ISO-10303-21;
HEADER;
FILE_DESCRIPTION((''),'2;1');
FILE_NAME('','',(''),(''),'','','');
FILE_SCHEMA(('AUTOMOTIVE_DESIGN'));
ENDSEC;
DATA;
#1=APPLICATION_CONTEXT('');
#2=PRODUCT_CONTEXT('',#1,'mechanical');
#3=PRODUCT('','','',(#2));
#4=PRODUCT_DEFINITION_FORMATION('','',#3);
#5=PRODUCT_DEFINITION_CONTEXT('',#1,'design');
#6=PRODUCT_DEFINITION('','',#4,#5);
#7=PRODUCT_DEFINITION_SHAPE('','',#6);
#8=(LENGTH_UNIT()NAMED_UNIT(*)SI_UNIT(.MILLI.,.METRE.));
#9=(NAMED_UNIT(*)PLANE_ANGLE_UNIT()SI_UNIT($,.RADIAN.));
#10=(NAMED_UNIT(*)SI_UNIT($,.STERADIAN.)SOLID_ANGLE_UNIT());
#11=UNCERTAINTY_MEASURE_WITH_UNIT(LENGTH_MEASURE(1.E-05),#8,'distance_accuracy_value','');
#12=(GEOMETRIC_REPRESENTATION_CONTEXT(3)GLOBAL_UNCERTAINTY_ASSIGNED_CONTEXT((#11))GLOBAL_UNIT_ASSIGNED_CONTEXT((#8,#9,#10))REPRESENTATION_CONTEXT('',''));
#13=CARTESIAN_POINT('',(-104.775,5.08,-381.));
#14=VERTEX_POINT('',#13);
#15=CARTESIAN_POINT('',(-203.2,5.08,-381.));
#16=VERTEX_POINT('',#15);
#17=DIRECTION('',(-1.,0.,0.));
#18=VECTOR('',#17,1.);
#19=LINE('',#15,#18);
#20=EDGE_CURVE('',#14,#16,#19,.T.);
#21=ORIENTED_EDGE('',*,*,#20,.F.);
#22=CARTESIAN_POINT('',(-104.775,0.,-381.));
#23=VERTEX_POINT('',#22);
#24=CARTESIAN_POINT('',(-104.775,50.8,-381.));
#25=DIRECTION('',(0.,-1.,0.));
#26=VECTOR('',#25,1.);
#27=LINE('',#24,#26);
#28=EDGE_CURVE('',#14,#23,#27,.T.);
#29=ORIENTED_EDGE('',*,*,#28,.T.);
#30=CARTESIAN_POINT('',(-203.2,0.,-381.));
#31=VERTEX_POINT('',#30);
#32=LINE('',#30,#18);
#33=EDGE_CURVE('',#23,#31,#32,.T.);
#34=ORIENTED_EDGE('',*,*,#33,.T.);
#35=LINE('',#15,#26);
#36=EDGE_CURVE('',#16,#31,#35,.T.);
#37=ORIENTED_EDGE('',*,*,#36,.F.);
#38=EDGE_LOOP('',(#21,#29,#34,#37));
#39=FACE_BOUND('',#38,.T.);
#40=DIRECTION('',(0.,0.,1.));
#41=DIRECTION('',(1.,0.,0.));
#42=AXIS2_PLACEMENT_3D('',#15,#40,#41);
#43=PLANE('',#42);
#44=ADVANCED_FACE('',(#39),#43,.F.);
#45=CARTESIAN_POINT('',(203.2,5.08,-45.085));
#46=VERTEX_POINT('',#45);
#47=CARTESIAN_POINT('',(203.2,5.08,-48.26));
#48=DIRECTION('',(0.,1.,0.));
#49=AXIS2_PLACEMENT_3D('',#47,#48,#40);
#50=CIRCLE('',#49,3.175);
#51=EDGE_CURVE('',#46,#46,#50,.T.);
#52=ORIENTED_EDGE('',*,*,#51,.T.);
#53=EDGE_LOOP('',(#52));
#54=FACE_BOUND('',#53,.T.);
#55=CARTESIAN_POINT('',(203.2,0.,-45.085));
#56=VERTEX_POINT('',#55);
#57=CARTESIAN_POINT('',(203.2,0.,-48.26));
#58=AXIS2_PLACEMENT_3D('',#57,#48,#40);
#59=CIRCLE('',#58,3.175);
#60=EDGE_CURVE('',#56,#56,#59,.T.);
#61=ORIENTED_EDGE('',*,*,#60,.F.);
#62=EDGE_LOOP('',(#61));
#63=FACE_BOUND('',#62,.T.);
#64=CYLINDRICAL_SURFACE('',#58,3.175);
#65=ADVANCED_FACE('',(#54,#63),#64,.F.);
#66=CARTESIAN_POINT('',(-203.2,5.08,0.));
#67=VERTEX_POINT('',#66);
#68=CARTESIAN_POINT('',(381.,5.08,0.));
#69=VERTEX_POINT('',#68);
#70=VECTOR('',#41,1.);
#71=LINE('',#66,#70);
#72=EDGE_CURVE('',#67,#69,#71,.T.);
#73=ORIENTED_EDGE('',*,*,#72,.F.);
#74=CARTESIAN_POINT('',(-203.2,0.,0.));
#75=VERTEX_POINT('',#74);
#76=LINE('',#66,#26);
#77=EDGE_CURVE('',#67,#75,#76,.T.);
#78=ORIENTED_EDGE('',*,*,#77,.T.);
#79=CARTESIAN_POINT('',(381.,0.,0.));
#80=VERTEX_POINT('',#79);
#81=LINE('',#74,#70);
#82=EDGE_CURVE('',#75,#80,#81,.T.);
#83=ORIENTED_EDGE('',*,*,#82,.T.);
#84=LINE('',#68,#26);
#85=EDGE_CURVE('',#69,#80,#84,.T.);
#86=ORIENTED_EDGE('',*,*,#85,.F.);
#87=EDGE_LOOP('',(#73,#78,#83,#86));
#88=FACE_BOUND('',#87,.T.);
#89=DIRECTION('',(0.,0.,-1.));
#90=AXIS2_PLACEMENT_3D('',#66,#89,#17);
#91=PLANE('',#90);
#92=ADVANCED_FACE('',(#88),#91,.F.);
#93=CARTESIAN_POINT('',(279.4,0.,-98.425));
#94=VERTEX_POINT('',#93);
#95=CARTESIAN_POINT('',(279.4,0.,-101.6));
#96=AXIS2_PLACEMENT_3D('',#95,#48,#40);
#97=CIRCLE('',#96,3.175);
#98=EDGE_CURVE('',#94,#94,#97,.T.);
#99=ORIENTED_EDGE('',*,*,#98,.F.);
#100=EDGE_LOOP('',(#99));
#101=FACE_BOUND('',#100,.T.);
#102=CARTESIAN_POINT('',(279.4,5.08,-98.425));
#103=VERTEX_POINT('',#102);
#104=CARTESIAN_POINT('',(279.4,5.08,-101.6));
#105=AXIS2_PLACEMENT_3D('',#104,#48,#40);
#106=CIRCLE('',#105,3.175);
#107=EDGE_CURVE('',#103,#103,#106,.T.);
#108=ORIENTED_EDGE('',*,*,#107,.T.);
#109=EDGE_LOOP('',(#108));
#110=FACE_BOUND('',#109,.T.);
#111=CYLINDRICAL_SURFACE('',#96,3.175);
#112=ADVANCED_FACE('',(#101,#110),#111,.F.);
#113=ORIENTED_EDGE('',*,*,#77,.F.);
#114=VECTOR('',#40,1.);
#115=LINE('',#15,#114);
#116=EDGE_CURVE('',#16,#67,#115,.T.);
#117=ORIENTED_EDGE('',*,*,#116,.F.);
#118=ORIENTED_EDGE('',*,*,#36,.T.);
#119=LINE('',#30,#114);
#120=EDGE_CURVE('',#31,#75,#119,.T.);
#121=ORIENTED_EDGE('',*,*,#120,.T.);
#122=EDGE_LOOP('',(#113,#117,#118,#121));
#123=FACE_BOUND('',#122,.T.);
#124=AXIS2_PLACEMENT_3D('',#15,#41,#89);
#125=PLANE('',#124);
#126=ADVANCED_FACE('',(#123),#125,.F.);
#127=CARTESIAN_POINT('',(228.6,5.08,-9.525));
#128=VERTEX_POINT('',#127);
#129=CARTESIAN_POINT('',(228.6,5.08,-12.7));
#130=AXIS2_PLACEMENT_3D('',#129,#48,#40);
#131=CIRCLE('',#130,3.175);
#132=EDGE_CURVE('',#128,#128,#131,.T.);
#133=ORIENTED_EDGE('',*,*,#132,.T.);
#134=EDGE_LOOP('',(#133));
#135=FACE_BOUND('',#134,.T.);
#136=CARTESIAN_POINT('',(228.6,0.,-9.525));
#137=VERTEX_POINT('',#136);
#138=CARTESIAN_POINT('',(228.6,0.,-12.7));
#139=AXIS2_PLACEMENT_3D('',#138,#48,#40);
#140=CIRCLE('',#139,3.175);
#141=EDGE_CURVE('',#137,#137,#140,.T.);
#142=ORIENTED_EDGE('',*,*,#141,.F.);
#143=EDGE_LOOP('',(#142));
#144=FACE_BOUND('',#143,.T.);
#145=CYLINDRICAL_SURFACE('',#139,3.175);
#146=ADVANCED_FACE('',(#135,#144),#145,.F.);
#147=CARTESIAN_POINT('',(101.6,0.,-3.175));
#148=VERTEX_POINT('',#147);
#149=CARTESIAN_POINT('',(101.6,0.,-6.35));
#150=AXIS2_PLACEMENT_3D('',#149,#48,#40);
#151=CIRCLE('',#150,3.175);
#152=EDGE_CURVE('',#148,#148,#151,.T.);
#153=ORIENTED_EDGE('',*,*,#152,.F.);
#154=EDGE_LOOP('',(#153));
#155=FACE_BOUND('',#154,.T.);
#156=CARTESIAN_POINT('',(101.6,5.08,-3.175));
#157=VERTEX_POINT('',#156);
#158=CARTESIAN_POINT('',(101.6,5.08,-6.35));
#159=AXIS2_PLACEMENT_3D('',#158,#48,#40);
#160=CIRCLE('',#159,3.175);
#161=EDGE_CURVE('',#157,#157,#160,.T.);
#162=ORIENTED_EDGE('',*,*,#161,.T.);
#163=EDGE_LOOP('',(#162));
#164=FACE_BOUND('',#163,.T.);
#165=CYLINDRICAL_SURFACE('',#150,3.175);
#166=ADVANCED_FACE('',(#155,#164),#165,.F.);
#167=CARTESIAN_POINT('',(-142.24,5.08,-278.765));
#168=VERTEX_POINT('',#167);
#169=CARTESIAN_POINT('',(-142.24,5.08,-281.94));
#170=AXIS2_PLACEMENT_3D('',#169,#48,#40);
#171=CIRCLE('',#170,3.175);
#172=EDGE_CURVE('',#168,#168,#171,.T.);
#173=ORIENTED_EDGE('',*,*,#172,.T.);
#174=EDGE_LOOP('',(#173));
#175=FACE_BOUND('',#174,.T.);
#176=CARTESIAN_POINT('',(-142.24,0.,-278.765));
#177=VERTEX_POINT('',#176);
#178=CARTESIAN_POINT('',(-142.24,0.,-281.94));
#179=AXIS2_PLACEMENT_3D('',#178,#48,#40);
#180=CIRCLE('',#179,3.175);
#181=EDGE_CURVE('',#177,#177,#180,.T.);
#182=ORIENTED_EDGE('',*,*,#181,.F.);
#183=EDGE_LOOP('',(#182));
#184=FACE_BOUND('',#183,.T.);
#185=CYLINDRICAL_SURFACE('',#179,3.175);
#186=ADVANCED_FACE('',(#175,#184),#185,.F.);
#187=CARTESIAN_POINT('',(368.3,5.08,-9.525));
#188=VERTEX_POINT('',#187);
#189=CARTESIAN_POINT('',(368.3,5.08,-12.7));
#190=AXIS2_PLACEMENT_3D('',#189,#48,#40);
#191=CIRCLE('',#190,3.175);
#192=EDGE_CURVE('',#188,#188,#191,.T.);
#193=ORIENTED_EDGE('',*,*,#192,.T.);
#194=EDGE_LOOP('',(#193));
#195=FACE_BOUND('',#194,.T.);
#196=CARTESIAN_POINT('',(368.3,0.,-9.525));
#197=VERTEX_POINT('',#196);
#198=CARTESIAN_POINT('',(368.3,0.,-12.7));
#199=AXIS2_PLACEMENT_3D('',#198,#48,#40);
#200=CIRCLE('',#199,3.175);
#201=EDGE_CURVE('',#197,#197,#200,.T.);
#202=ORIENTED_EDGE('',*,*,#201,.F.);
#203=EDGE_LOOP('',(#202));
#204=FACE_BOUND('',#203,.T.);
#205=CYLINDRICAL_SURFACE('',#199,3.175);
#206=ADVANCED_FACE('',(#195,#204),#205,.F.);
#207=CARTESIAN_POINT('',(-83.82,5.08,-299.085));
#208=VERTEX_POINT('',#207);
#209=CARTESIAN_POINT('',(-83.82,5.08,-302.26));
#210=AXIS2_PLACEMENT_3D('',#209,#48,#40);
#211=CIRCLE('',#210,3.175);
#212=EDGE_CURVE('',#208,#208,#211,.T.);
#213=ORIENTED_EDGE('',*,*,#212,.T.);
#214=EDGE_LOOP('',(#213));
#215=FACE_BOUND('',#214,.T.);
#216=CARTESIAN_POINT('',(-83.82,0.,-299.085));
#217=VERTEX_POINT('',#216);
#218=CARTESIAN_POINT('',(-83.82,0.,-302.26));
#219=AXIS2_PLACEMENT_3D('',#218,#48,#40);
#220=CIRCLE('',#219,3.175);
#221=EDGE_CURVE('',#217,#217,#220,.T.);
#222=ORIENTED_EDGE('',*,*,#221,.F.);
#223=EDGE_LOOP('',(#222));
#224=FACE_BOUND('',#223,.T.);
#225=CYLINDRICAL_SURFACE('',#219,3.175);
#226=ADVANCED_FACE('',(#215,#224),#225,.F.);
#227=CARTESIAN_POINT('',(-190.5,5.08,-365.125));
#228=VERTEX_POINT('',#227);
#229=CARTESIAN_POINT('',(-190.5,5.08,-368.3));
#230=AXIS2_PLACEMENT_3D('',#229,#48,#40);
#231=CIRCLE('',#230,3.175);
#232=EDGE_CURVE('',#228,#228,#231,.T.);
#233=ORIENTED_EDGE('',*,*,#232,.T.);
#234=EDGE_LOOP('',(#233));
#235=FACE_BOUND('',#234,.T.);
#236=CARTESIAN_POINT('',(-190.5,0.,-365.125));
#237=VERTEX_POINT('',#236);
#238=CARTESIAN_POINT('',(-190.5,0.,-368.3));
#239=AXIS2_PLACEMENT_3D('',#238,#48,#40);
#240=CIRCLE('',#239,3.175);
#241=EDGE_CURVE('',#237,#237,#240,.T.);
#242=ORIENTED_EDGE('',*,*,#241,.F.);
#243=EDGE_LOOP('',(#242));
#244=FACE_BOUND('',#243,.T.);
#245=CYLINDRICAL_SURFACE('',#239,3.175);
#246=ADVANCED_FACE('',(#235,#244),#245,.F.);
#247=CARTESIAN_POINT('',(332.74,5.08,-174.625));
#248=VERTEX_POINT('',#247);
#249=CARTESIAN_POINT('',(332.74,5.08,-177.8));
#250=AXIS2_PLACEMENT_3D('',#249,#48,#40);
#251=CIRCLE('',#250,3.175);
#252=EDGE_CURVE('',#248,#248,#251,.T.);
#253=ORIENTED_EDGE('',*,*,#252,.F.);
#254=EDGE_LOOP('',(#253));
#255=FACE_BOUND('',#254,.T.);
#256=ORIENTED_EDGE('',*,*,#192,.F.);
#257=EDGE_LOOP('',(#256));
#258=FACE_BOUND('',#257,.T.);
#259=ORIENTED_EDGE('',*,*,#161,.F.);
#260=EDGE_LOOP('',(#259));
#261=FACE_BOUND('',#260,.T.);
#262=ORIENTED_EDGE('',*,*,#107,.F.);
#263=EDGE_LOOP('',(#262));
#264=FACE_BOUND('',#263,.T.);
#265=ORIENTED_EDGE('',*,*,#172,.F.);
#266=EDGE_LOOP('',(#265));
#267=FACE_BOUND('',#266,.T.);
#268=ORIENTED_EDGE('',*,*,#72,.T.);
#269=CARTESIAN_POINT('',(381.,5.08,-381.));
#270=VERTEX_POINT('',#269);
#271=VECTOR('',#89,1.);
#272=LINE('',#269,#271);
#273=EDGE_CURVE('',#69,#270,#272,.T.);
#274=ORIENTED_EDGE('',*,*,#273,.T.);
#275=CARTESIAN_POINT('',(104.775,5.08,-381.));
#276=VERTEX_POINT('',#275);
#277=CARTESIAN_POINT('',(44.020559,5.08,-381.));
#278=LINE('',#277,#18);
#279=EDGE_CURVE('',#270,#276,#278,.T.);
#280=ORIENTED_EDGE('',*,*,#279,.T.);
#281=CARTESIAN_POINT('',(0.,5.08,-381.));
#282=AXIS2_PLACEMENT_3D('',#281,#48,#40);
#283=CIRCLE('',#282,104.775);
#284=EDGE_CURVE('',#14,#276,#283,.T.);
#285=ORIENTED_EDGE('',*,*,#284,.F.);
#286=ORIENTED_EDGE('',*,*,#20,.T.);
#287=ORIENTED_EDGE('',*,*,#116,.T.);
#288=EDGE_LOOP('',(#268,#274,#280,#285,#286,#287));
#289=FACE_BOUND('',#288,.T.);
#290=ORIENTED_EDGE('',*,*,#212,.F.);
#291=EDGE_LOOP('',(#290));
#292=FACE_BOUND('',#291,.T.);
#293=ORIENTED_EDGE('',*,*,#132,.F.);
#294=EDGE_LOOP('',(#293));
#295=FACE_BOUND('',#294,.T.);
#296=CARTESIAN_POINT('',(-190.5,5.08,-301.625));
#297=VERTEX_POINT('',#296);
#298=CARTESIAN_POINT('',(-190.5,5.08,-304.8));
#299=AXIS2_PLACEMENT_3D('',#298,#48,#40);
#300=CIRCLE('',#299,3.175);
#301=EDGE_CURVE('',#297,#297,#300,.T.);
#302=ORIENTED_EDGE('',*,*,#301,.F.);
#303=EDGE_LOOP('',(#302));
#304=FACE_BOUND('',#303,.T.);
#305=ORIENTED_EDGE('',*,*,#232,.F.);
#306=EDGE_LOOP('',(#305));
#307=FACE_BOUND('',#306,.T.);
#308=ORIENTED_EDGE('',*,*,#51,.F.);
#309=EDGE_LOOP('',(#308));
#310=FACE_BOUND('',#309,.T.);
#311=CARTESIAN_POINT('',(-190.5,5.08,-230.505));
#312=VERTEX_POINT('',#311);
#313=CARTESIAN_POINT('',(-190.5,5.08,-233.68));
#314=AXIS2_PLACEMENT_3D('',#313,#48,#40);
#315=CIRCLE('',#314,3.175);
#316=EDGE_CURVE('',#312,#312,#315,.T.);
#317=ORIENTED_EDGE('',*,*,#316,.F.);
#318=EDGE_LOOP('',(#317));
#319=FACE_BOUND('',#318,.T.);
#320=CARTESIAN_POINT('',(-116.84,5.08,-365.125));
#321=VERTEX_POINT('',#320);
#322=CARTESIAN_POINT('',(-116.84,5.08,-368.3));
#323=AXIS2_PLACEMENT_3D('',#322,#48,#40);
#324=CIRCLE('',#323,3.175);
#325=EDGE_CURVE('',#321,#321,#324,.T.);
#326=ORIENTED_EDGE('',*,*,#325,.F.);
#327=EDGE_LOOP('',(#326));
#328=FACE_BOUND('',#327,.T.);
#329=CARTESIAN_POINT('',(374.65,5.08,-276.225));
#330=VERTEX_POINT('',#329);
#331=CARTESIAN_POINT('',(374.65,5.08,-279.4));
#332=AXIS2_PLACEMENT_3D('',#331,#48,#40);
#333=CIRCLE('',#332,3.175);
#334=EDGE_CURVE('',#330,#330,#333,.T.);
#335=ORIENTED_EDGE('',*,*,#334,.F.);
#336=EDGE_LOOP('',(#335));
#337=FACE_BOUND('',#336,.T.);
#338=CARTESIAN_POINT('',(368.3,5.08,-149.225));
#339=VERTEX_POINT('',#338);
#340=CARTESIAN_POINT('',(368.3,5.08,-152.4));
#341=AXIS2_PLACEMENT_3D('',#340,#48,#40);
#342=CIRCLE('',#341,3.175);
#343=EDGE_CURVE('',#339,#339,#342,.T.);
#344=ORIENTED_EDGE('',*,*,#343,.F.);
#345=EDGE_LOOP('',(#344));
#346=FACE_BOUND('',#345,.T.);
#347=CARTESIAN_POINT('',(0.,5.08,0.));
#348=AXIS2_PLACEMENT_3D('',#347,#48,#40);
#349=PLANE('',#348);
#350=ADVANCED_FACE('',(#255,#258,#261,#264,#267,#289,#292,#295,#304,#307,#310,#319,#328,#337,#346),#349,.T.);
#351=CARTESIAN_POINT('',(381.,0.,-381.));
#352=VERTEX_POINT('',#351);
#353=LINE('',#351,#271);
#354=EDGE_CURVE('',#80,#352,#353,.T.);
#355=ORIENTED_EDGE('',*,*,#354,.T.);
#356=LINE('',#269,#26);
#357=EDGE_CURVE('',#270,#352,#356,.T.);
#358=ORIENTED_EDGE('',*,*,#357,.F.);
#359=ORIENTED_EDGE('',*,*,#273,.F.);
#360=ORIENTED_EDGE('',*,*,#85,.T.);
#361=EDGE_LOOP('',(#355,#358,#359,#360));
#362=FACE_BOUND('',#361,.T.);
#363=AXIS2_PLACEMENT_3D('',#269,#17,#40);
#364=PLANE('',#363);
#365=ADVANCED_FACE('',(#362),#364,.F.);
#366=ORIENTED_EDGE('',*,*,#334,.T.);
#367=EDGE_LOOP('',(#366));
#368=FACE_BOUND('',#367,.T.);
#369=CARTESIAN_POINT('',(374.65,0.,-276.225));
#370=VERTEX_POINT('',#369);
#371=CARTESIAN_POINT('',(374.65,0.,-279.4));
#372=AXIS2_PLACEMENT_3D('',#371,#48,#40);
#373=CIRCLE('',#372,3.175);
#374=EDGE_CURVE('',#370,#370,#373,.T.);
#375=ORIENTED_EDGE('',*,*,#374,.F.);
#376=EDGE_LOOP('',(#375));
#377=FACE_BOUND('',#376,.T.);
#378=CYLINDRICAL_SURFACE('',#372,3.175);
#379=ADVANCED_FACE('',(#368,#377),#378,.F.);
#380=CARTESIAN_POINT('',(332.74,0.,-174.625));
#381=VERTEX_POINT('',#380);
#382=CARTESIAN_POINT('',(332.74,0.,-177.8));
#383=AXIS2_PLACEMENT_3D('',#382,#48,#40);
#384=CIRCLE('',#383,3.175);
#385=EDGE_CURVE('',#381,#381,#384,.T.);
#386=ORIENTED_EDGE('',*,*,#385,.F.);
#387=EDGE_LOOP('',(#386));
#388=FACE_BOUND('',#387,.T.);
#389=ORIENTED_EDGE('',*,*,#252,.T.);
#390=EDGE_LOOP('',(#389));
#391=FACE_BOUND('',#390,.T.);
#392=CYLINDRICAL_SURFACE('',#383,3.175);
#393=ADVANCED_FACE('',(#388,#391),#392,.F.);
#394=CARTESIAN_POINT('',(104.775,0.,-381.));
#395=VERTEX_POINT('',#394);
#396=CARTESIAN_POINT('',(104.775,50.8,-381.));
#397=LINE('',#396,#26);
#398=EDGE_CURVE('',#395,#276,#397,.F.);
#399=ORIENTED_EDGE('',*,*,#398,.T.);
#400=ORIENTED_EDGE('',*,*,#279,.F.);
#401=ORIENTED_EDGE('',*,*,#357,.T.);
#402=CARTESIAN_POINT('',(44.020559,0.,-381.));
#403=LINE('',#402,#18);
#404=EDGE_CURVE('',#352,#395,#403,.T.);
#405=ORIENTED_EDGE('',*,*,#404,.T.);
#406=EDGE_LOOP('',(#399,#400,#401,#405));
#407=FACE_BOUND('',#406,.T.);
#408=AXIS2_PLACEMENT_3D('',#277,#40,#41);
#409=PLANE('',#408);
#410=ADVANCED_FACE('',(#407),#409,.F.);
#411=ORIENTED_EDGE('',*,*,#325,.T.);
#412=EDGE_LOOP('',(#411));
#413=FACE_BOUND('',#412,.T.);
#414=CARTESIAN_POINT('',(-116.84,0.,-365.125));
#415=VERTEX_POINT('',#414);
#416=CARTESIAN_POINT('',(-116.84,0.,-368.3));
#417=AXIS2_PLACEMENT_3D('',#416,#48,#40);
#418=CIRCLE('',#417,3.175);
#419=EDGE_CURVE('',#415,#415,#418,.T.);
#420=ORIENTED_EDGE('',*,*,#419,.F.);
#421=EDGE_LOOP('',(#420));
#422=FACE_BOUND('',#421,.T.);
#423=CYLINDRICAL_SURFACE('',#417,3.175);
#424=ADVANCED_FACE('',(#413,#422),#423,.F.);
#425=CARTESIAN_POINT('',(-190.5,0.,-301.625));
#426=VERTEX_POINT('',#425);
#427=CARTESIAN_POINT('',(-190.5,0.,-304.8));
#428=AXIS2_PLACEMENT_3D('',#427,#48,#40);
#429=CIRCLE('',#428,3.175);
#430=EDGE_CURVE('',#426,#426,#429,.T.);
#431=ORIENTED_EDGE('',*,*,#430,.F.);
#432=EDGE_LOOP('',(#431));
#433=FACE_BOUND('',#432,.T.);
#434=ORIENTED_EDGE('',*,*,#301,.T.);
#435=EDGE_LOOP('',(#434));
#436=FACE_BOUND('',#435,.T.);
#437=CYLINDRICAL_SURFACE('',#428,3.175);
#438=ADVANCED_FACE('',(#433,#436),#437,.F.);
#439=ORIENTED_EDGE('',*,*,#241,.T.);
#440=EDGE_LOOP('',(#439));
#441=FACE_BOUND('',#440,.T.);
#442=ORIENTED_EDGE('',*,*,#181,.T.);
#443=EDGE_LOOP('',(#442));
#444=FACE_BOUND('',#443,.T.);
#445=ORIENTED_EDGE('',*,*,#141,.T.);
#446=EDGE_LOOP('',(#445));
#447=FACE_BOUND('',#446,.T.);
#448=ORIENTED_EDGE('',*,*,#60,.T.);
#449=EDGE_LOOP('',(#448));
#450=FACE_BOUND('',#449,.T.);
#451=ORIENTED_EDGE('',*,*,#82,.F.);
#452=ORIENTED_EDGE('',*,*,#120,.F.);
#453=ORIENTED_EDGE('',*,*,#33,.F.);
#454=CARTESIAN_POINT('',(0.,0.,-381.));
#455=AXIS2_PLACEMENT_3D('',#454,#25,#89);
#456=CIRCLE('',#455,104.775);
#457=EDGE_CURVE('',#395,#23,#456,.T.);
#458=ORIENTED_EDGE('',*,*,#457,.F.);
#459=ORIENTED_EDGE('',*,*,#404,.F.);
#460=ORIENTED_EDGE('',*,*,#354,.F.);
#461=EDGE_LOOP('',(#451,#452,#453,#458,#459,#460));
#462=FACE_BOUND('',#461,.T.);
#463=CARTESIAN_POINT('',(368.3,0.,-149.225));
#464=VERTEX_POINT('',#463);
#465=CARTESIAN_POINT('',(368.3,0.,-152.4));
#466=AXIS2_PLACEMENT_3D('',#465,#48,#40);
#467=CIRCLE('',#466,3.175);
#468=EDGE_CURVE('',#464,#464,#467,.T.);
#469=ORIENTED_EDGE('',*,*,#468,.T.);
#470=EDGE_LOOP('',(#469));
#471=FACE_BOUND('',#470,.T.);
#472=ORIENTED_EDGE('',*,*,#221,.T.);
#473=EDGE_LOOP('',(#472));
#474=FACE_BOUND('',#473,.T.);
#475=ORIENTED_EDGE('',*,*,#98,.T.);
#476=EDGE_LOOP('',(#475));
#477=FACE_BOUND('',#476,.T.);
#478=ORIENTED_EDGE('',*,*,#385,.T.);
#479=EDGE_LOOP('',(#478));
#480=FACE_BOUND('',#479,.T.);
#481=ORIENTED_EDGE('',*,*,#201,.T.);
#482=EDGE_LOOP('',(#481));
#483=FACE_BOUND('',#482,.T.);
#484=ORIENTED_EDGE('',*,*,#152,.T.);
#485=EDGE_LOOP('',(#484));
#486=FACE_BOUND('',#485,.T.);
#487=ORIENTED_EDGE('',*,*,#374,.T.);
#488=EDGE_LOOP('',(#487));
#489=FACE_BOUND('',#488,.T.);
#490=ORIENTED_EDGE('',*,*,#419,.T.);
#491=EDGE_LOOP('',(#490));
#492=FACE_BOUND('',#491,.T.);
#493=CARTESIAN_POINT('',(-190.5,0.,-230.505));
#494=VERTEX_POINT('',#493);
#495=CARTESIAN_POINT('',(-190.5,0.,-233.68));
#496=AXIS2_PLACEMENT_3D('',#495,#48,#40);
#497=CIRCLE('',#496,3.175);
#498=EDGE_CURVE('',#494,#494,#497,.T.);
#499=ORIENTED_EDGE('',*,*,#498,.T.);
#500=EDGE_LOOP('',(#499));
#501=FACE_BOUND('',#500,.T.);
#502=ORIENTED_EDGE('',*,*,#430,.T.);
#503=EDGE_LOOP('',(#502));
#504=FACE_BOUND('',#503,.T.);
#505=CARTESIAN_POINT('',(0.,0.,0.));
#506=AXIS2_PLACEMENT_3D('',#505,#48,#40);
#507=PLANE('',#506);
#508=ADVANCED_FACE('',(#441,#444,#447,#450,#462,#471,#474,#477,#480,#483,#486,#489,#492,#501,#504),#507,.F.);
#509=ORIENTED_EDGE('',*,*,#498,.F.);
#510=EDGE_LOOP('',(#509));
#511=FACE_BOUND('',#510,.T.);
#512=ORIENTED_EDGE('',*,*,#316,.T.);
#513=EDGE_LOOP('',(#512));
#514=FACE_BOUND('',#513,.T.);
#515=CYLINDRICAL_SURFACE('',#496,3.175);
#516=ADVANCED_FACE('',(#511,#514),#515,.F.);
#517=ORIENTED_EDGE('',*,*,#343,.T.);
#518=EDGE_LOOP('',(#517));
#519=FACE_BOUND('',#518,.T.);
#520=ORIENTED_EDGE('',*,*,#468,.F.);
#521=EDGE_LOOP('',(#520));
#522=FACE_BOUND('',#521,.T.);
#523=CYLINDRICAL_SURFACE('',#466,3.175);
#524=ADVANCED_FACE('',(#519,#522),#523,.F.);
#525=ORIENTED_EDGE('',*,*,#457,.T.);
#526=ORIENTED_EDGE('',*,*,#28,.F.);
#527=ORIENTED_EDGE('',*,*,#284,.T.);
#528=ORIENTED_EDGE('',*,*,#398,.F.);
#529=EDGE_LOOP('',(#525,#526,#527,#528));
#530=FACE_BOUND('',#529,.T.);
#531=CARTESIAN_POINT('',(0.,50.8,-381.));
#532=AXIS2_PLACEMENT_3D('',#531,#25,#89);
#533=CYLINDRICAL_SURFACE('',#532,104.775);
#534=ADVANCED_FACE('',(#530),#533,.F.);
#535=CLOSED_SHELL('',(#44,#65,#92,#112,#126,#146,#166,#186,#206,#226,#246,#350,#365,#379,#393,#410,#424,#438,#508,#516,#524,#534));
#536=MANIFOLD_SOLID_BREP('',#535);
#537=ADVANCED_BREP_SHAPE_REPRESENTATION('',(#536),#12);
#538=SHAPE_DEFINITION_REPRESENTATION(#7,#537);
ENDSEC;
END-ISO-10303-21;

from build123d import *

# Parameters (mm, degrees)
BOSS_EXTRUDE1_DEPTH = 5.08
SKETCH4_R           = 104.775
CUT_EXTRUDE1_DEPTH  = 50.8
SKETCH5_R           = 3.175
CUT_EXTRUDE2_DEPTH  = 5.08
SKETCH6_R           = 3.175
CUT_EXTRUDE3_DEPTH  = 5.08


with BuildPart() as part:
    # Sketch2 → Boss-Extrude1 (new body)
    with BuildSketch(Plane(origin=(0, 0, 0), x_dir=(1, 0, 0), z_dir=(0, 1, 0))):
        Polygon((-203.2, 381), (-44.423028516, 381), (-44.423028516, 423.747508854), (44.020558762, 423.747508854), (44.020558762, 381), (381, 381), (381, 0), (-203.2, 0), align=None)
    extrude(amount=BOSS_EXTRUDE1_DEPTH)

    # Sketch4 → Cut-Extrude1 (cut)
    with BuildSketch(Plane.XZ):
        with Locations((0, -381)):
            Circle(SKETCH4_R)
    extrude(amount=-CUT_EXTRUDE1_DEPTH, mode=Mode.SUBTRACT)

    # Sketch5 → Cut-Extrude2 (cut)
    with BuildSketch(Plane(origin=(0, 5.08, 0), x_dir=(1, 0, 0), z_dir=(0, 1, 0))):
        with Locations(Location((332.74, 177.8, 0), (0, 0, 270))):
            Circle(SKETCH5_R)
        with Locations(Location((101.6, 6.35, 0), (0, 0, 270))):
            Circle(SKETCH5_R)
        with Locations(Location((203.2, 48.26, 0), (0, 0, 270))):
            Circle(SKETCH5_R)
        with Locations(Location((279.4, 101.6, 0), (0, 0, 270))):
            Circle(SKETCH5_R)
        with Locations(Location((368.3, 152.4, 0), (0, 0, 270))):
            Circle(SKETCH5_R)
        with Locations(Location((374.65, 279.4, 0), (0, 0, 270))):
            Circle(SKETCH5_R)
        with Locations(Location((368.3, 12.7, 0), (0, 0, 270))):
            Circle(SKETCH5_R)
        with Locations(Location((228.6, 12.7, 0), (0, 0, 270))):
            Circle(SKETCH5_R)
    extrude(amount=-CUT_EXTRUDE2_DEPTH, mode=Mode.SUBTRACT)

    # Sketch6 → Cut-Extrude3 (cut)
    with BuildSketch(Plane(origin=(0, 5.08, 0), x_dir=(1, 0, 0), z_dir=(0, 1, 0))):
        with Locations(Location((-190.5, 368.3, 0), (0, 0, 270))):
            Circle(SKETCH6_R)
        with Locations(Location((-116.84, 368.3, 0), (0, 0, 270))):
            Circle(SKETCH6_R)
        with Locations(Location((-83.82, 302.26, 0), (0, 0, 270))):
            Circle(SKETCH6_R)
        with Locations(Location((-142.24, 281.94, 0), (0, 0, 270))):
            Circle(SKETCH6_R)
        with Locations(Location((-190.5, 233.68, 0), (0, 0, 270))):
            Circle(SKETCH6_R)
        with Locations(Location((-190.5, 304.8, 0), (0, 0, 270))):
            Circle(SKETCH6_R)
    extrude(amount=-CUT_EXTRUDE3_DEPTH, mode=Mode.SUBTRACT)


solid = part.part
